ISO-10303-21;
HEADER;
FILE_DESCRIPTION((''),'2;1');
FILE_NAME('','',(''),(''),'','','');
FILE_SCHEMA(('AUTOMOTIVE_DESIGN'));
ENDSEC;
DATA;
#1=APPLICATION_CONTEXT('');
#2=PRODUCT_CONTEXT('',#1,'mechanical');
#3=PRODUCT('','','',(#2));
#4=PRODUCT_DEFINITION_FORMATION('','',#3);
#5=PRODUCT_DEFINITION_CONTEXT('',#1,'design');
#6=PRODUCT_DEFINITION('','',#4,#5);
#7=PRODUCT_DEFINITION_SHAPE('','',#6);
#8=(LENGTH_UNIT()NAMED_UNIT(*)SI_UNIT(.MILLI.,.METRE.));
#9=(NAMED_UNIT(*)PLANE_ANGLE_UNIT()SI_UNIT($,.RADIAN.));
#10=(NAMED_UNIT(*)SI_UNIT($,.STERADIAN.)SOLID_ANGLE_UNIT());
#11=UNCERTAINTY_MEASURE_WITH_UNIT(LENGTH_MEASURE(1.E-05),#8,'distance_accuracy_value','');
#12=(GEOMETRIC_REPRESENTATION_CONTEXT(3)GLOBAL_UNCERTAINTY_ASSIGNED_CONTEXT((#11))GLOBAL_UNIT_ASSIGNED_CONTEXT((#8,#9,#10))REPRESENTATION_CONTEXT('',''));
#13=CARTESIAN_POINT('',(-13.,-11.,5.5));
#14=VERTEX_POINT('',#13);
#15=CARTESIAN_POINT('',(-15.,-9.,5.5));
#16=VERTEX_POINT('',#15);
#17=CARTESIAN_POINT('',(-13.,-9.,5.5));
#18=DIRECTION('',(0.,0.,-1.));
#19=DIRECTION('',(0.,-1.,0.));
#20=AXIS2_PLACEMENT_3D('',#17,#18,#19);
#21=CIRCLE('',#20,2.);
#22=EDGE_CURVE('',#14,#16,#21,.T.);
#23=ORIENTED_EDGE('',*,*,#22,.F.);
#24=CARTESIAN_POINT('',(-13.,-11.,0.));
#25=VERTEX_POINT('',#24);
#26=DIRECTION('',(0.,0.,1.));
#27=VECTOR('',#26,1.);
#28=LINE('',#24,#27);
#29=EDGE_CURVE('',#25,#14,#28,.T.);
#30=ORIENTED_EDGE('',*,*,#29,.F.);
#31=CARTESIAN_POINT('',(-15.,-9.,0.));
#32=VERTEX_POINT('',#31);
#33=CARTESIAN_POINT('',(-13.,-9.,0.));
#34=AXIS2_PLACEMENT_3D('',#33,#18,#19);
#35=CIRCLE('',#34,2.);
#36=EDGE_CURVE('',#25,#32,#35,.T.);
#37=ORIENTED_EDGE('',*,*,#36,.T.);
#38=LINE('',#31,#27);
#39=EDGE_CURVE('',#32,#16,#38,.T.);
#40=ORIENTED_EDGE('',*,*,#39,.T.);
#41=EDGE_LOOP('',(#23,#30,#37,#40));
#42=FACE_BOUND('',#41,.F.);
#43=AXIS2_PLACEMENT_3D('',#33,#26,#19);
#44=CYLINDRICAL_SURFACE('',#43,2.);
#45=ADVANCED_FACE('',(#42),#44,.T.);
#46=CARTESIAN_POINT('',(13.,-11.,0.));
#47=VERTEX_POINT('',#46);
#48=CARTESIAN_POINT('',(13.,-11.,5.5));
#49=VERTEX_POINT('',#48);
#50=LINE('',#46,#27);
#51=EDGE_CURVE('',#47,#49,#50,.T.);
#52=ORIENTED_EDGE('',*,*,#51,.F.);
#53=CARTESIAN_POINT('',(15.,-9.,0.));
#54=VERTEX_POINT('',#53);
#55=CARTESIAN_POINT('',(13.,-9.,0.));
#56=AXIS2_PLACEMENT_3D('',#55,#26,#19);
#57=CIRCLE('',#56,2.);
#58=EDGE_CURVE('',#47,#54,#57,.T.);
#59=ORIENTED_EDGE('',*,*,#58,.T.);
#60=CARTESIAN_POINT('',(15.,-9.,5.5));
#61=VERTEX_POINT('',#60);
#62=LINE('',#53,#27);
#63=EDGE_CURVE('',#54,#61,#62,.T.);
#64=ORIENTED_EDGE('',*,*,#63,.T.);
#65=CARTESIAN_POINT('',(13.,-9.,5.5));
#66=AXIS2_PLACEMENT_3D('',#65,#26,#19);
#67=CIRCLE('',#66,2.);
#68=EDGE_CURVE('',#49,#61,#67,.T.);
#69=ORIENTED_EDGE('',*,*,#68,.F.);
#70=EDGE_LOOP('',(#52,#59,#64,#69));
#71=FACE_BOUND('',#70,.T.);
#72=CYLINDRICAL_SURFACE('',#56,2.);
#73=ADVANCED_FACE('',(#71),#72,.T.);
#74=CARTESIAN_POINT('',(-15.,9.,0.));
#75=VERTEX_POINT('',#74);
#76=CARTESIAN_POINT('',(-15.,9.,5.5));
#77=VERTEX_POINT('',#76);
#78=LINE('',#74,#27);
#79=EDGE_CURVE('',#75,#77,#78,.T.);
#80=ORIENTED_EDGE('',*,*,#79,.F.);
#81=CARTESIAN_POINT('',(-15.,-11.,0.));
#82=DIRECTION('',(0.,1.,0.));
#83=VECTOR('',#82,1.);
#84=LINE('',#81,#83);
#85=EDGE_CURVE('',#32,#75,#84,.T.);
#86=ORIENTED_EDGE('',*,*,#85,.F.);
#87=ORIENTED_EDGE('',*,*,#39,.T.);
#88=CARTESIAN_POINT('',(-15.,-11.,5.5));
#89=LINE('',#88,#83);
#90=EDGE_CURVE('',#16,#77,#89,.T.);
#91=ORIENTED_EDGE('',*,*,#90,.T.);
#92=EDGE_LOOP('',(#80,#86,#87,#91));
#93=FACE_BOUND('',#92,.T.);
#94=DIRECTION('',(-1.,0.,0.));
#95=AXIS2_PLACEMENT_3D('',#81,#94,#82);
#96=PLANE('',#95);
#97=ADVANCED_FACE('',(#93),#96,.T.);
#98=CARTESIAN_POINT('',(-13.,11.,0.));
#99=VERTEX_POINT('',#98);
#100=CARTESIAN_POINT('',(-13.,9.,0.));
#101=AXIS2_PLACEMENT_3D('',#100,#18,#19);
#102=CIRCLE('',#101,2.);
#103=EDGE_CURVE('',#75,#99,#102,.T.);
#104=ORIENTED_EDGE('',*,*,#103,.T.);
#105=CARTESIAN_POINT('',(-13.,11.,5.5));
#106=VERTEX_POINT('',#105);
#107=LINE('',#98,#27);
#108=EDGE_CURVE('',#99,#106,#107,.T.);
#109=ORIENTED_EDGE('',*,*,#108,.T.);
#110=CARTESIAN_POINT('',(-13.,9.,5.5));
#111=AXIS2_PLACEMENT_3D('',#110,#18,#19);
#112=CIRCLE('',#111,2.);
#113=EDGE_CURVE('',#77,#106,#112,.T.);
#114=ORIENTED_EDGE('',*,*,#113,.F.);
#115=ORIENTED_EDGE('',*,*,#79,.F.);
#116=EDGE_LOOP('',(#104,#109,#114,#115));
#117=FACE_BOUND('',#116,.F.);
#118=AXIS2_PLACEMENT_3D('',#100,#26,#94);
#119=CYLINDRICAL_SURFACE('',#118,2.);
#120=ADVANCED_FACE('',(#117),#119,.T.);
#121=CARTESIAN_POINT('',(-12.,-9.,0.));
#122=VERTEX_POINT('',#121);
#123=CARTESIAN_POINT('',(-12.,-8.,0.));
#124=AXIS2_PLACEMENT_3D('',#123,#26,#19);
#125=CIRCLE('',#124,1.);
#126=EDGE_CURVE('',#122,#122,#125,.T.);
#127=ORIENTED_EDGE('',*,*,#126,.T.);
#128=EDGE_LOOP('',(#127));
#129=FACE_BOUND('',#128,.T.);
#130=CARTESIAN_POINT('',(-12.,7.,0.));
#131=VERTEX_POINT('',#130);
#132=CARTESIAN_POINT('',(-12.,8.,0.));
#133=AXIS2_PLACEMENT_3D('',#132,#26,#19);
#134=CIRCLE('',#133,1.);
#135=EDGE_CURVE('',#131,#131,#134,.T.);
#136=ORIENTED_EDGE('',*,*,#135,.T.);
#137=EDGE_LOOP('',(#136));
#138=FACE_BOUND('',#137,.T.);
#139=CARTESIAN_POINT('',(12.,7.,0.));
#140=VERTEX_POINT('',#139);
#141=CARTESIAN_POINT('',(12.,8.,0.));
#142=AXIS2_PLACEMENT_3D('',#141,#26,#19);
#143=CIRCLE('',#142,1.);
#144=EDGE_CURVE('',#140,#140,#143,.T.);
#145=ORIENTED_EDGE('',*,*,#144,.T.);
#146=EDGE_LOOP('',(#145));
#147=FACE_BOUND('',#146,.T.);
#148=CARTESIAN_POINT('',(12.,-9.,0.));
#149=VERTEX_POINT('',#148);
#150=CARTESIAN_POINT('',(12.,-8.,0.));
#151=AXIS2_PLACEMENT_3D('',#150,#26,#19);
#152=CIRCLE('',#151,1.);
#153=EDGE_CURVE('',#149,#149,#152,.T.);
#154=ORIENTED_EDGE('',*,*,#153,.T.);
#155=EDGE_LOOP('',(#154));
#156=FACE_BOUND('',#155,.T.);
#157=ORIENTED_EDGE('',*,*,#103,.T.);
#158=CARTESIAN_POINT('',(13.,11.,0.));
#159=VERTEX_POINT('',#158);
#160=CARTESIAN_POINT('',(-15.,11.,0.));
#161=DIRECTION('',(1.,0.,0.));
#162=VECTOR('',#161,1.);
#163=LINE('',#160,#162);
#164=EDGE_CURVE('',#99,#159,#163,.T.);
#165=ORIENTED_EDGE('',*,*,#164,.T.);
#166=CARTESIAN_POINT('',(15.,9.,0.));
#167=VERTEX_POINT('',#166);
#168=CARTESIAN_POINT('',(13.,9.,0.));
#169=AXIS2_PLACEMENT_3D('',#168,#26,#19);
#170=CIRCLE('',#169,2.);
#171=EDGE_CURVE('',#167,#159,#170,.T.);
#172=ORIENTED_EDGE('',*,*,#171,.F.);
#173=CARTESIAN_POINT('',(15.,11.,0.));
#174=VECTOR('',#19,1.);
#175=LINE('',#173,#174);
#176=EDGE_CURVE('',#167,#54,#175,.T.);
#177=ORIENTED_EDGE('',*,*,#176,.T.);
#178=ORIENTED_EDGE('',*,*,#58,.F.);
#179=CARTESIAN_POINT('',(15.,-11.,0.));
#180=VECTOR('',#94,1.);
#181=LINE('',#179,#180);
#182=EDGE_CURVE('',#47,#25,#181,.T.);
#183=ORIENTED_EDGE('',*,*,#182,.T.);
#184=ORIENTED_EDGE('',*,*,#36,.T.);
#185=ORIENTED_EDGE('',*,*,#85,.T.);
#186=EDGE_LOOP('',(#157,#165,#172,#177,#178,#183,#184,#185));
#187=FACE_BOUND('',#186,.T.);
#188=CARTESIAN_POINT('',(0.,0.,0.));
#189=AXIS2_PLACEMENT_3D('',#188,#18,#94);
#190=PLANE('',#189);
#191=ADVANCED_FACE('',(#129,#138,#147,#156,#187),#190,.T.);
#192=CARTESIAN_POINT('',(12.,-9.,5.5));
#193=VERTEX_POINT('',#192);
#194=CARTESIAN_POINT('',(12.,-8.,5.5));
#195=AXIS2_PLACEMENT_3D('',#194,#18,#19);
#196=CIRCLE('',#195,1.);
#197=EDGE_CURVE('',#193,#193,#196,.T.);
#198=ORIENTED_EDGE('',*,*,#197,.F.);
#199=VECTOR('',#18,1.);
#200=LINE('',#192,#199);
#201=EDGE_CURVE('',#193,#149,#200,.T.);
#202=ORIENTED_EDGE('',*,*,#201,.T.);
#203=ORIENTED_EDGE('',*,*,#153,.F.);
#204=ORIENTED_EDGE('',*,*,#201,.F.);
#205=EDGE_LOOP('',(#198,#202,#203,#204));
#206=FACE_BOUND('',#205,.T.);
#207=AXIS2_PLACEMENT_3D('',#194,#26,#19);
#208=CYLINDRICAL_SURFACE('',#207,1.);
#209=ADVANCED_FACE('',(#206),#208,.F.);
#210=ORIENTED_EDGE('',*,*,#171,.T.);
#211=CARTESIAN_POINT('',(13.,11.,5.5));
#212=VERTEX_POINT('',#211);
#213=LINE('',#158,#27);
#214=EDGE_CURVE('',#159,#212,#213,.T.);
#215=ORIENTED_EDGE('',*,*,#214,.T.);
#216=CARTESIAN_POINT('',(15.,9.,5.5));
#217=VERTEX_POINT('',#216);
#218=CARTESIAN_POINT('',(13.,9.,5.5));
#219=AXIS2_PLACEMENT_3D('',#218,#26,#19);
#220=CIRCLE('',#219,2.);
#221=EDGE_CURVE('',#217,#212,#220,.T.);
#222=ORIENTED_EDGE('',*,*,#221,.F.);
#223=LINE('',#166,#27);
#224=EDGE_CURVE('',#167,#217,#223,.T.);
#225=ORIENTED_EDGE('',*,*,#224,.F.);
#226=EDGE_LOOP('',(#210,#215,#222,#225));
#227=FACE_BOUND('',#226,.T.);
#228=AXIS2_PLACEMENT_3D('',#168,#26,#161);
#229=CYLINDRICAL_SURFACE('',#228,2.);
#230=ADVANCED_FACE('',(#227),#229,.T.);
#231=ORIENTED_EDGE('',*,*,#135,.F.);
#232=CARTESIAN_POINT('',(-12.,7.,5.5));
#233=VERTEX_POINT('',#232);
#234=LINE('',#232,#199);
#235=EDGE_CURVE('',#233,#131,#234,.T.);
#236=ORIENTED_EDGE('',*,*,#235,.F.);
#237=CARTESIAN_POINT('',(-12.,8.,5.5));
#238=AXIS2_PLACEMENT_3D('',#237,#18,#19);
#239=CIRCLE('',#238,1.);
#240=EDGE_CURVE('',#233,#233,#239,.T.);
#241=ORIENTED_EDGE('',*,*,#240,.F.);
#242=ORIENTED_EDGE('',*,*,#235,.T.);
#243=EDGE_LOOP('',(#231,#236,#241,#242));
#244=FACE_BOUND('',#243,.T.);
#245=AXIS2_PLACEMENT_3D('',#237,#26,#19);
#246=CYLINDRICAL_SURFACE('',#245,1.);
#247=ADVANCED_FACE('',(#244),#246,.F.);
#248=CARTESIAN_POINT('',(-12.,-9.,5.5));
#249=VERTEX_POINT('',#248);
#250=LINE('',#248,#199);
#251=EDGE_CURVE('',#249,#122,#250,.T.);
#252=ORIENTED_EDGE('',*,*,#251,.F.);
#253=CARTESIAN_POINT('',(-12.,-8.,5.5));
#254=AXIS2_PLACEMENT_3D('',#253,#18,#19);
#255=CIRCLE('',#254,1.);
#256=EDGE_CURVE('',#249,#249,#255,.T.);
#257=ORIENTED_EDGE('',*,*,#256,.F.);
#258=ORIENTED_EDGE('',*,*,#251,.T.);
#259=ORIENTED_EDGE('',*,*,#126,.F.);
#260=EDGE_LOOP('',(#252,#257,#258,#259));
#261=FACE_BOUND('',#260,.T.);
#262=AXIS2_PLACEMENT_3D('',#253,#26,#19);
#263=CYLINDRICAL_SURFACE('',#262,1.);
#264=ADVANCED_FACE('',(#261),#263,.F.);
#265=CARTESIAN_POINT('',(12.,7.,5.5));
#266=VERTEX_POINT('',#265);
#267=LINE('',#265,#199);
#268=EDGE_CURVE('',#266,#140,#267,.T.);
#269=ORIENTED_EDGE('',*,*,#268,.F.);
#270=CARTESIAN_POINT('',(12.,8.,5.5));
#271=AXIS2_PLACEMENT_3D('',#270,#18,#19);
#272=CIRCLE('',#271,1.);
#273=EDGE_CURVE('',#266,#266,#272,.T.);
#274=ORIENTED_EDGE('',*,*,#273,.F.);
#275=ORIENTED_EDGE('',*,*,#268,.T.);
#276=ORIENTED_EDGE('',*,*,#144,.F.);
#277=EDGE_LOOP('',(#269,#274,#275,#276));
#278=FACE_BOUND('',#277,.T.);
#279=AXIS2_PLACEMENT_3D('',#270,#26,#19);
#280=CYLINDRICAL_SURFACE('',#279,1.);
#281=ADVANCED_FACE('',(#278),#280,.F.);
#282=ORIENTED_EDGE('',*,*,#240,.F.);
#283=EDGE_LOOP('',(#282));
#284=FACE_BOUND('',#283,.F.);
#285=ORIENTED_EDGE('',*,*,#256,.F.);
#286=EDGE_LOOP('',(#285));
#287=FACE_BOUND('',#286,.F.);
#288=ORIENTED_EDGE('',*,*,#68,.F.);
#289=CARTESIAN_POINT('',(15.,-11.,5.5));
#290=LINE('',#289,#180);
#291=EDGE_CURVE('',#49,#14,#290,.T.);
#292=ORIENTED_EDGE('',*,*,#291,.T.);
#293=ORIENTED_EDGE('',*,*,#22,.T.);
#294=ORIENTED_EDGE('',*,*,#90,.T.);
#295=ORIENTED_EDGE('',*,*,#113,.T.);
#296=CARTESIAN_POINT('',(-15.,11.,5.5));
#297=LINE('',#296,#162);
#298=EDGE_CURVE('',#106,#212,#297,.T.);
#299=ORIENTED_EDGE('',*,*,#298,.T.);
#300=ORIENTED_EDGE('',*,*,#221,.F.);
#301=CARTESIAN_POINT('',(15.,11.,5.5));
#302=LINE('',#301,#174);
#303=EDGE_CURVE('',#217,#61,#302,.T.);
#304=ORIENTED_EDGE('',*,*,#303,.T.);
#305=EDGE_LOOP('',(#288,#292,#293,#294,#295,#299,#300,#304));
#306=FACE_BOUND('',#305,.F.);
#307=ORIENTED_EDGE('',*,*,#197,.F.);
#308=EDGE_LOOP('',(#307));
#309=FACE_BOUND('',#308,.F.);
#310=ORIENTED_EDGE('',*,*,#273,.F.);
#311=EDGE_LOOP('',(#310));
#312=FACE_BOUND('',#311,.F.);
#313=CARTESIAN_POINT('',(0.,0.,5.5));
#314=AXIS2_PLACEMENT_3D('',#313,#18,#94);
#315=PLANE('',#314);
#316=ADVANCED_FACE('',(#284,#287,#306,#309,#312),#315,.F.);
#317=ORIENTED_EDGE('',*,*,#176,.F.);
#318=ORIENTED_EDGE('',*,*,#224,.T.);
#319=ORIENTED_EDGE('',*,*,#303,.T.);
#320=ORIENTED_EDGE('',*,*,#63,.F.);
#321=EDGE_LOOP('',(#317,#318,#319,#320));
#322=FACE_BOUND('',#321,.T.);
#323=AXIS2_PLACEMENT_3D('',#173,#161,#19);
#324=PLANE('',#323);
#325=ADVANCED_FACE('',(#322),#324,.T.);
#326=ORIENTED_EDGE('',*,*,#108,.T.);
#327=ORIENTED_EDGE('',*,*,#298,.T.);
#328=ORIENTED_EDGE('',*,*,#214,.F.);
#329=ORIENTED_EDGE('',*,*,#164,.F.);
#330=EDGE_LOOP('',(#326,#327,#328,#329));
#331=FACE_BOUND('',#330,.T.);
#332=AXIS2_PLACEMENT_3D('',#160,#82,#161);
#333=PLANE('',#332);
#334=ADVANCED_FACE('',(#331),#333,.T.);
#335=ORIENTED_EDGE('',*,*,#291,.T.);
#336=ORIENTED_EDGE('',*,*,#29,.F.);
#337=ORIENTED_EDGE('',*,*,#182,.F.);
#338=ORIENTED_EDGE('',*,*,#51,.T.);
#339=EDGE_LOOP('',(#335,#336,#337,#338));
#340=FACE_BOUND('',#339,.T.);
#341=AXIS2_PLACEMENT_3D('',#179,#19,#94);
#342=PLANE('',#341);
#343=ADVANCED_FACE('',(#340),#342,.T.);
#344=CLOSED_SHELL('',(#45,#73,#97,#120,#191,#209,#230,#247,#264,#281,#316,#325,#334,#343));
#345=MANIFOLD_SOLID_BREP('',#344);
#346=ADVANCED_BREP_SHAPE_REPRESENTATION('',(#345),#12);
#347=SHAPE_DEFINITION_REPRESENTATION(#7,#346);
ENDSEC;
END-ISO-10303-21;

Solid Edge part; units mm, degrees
sketch "Sketch1" plane through (0, 0, 0) normal (0, 0, 1) x (1, 0, 0)
  line L0 (15, -11) -> (-15, -11)
  line L1 (-15, -11) -> (-15, 11)
  line L2 (-15, 11) -> (15, 11)
  line L3 (15, 11) -> (15, -11)
  dimension "D1" = 30
  dimension "D2" = 22
extrude "Protrusion1" add sketch "Sketch1" along normal blind 5.5
hole "Hole_1" at (12, 8, 5.5) direction (0, 0, -1) diameter 2 end through all
hole "Hole1" at (12, -8, 5.5) direction (0, 0, -1) diameter 2 end through all
hole "Hole2" at (-12, 8, 5.5) direction (0, 0, -1) diameter 2 end through all
hole "Hole3" at (-12, -8, 5.5) direction (0, 0, -1) diameter 2 end through all
fillet "Round_1" radius 2 3 edges at (-15, 11, 2.75) (-15, -11, 2.75) (15, -11, 2.75)
fillet "Round_2" radius 2 1 edges at (15, 11, 2.75)
properties material "木材, アッシュ"
